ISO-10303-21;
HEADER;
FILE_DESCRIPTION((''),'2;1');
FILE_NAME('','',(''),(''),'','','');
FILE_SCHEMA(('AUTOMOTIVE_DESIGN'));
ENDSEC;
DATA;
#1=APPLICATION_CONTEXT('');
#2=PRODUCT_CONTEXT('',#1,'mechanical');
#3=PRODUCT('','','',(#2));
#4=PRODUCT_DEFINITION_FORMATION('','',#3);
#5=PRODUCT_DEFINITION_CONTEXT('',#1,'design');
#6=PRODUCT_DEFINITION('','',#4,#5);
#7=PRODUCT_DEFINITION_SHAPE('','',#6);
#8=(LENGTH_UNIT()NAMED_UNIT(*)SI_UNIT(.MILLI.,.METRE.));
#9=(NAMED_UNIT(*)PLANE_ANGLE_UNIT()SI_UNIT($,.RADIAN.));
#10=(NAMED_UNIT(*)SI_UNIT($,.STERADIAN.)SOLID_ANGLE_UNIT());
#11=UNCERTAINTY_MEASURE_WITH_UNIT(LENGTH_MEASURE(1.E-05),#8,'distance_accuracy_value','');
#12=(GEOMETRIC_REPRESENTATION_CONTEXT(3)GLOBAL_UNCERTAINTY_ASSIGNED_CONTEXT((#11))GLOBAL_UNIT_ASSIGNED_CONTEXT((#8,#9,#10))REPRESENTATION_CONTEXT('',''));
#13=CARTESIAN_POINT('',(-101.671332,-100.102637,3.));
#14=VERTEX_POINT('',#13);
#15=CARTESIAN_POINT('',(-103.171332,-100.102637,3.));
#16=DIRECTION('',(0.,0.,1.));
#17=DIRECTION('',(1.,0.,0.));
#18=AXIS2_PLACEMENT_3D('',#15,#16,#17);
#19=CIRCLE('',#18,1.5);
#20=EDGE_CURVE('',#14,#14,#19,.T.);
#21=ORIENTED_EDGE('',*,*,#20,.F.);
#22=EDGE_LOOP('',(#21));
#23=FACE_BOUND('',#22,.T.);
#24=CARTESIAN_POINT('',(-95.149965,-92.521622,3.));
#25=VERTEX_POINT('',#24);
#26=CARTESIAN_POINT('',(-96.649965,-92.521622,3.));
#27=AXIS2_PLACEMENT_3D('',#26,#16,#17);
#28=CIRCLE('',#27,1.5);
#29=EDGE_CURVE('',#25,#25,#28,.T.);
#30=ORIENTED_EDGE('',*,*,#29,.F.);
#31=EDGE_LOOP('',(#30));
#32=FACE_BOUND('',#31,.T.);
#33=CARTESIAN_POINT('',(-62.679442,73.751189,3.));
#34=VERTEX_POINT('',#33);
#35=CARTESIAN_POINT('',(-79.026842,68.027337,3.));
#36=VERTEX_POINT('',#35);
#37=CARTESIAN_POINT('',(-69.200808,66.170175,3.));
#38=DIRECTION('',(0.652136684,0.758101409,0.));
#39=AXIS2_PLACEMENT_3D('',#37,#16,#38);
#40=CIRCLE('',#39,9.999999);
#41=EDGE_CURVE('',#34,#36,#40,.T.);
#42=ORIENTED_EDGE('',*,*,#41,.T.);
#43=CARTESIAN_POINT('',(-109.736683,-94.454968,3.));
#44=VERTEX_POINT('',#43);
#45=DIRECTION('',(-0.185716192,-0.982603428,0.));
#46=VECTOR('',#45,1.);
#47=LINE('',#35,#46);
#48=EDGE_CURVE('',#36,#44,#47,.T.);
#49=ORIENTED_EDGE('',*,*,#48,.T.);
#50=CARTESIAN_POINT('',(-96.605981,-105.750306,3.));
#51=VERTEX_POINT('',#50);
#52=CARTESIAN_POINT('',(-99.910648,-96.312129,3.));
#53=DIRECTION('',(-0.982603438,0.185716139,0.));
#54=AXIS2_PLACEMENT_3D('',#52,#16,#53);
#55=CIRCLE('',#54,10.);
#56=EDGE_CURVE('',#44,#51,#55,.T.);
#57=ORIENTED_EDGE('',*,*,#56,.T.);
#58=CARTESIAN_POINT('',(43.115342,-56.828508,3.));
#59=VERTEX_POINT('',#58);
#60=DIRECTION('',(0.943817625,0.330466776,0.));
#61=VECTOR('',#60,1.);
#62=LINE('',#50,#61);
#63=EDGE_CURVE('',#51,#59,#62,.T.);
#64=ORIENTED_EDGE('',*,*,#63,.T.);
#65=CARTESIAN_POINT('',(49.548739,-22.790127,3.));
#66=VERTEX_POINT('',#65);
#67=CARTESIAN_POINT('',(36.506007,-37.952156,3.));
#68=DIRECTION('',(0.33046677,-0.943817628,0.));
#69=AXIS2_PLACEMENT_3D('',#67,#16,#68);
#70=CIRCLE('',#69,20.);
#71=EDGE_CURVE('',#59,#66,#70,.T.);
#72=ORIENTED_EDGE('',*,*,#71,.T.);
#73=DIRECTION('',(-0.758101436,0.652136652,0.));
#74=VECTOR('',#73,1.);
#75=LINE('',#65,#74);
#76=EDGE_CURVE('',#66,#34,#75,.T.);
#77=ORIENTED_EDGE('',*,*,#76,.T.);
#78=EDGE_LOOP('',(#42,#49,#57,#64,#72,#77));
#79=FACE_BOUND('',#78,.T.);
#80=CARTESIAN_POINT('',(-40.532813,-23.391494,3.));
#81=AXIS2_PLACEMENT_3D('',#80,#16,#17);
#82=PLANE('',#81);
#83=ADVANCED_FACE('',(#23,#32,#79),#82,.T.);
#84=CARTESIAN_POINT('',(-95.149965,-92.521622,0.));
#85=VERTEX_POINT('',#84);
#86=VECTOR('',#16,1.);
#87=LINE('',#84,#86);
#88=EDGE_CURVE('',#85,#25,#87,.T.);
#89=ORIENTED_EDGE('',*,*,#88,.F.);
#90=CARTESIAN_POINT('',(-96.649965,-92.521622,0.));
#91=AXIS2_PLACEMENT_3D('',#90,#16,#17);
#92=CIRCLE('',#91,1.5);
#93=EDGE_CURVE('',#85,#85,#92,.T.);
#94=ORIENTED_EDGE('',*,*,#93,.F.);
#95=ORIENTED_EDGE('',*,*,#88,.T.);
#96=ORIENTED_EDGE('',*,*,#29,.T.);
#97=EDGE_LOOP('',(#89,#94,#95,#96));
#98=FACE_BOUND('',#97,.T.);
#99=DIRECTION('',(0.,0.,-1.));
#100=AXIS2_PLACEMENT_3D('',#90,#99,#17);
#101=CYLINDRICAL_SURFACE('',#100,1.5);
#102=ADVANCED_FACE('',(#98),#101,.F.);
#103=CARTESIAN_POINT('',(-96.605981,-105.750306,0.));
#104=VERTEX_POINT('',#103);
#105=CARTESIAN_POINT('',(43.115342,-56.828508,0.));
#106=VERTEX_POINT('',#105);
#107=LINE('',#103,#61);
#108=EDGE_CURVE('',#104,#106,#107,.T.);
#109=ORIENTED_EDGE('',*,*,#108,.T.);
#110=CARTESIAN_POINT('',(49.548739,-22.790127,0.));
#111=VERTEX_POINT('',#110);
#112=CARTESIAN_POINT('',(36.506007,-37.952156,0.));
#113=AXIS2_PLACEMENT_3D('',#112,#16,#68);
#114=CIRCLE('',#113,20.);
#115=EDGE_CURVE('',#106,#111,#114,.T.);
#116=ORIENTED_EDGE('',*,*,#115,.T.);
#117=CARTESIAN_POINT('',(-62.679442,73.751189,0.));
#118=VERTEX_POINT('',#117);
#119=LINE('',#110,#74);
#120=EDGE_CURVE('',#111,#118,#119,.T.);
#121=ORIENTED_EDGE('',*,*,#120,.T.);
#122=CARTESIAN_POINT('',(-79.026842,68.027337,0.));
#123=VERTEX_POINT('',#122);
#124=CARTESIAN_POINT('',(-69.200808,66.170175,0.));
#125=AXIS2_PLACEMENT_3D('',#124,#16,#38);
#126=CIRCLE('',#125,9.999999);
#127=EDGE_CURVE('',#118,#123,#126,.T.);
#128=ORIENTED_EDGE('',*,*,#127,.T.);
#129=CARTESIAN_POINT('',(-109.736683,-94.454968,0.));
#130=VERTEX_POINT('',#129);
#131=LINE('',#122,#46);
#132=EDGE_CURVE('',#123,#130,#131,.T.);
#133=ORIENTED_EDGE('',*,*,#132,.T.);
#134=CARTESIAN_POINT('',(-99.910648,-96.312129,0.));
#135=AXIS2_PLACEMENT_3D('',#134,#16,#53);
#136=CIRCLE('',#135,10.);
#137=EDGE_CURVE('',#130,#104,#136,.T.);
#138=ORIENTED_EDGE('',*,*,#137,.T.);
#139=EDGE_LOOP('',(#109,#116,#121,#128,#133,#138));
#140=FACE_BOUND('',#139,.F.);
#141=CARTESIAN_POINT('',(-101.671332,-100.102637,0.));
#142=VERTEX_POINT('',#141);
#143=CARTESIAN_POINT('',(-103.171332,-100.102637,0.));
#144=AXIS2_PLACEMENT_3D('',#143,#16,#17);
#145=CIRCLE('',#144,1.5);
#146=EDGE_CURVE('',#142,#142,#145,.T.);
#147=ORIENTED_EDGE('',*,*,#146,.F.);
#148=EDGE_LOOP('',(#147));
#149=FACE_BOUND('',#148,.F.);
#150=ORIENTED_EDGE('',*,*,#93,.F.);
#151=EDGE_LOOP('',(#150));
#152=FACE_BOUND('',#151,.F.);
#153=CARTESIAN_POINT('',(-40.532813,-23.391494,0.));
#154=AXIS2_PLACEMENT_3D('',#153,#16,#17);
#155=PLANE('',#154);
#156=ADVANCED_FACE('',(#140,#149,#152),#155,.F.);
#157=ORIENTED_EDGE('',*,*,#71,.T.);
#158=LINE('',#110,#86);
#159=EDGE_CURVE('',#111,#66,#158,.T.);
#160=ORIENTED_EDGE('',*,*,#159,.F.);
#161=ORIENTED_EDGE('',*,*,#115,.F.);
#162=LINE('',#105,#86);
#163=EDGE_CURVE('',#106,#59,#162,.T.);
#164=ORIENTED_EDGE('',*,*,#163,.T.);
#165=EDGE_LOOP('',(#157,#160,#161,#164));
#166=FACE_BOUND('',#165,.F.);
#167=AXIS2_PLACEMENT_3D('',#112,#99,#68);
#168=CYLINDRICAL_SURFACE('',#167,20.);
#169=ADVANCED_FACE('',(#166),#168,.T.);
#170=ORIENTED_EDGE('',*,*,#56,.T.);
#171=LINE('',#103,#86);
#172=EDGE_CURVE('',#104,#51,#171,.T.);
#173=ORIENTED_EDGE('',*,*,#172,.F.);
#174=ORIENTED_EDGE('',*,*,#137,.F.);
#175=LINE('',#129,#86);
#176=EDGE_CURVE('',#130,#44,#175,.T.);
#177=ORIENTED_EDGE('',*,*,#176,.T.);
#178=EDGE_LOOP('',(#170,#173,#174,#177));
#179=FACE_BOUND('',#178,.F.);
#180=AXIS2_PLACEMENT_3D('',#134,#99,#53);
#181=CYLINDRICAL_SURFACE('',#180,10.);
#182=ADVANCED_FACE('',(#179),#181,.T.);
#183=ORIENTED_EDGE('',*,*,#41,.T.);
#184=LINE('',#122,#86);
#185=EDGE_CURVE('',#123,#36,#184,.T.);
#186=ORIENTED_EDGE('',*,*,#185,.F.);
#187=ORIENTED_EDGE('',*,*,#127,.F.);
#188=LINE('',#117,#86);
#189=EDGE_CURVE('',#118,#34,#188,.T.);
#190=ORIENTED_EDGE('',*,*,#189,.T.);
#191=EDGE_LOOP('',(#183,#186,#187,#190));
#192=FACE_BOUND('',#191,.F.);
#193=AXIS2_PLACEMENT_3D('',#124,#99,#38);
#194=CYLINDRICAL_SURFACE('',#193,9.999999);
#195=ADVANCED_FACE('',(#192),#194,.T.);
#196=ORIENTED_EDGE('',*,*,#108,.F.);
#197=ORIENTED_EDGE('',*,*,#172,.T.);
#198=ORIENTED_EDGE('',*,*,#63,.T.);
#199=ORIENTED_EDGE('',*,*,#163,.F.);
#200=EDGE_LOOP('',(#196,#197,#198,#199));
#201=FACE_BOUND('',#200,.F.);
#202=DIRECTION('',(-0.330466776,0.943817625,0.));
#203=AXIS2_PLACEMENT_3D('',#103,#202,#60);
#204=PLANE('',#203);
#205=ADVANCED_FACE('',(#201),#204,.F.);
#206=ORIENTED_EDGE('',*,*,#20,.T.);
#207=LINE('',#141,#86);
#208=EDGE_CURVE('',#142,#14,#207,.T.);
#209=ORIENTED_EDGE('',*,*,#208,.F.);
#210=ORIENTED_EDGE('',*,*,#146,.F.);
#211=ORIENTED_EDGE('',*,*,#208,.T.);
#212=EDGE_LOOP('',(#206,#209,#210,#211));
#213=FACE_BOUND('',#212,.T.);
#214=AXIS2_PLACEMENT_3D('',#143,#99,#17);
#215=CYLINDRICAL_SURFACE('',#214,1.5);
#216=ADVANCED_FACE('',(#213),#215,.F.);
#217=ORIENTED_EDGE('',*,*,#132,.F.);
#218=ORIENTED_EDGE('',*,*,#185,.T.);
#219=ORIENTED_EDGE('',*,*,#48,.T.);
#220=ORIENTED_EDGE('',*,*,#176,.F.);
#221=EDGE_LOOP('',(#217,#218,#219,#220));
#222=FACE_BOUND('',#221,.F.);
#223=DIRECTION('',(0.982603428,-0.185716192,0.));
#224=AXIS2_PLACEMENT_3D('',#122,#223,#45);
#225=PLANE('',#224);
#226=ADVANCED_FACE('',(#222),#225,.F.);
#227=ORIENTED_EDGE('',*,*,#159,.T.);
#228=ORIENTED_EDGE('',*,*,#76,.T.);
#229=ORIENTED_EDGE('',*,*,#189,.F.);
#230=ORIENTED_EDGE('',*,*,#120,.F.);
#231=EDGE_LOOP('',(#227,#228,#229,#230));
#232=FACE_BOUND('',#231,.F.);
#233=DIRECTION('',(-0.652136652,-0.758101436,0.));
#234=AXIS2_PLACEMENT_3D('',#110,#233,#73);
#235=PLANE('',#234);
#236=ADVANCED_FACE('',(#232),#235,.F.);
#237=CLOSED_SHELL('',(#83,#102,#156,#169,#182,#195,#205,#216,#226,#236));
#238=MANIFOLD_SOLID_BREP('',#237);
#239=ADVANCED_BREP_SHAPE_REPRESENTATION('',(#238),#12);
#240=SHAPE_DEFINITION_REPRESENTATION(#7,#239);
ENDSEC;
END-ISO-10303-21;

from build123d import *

# Parameters (mm, degrees)
F0_R     = 1.5
F1_DEPTH = 3


with BuildPart() as f1:
    # F0 (on Top) → F1 (new body)
    with BuildSketch(Plane.XY):
        with BuildLine():
            Line((49.548739, -22.790127), (-62.679442, 73.751189))
            ThreePointArc((-62.679442, 73.751189), (-72.505476, 75.608351), (-79.026842, 68.027337))
            Line((-79.026842, 68.027337), (-109.736683, -94.454968))
            ThreePointArc((-109.736683, -94.454968), (-106.432015, -103.893144), (-96.605981, -105.750306))
            Line((-96.605981, -105.750306), (43.115342, -56.828508))
            ThreePointArc((43.115342, -56.828508), (56.158075, -41.666479), (49.548739, -22.790127))
        make_face()
        with Locations((-103.171332, -100.102637)):
            Circle(F0_R, mode=Mode.SUBTRACT)
        with Locations((-96.649965, -92.521622)):
            Circle(F0_R, mode=Mode.SUBTRACT)
    extrude(amount=F1_DEPTH)


solid = f1.part
